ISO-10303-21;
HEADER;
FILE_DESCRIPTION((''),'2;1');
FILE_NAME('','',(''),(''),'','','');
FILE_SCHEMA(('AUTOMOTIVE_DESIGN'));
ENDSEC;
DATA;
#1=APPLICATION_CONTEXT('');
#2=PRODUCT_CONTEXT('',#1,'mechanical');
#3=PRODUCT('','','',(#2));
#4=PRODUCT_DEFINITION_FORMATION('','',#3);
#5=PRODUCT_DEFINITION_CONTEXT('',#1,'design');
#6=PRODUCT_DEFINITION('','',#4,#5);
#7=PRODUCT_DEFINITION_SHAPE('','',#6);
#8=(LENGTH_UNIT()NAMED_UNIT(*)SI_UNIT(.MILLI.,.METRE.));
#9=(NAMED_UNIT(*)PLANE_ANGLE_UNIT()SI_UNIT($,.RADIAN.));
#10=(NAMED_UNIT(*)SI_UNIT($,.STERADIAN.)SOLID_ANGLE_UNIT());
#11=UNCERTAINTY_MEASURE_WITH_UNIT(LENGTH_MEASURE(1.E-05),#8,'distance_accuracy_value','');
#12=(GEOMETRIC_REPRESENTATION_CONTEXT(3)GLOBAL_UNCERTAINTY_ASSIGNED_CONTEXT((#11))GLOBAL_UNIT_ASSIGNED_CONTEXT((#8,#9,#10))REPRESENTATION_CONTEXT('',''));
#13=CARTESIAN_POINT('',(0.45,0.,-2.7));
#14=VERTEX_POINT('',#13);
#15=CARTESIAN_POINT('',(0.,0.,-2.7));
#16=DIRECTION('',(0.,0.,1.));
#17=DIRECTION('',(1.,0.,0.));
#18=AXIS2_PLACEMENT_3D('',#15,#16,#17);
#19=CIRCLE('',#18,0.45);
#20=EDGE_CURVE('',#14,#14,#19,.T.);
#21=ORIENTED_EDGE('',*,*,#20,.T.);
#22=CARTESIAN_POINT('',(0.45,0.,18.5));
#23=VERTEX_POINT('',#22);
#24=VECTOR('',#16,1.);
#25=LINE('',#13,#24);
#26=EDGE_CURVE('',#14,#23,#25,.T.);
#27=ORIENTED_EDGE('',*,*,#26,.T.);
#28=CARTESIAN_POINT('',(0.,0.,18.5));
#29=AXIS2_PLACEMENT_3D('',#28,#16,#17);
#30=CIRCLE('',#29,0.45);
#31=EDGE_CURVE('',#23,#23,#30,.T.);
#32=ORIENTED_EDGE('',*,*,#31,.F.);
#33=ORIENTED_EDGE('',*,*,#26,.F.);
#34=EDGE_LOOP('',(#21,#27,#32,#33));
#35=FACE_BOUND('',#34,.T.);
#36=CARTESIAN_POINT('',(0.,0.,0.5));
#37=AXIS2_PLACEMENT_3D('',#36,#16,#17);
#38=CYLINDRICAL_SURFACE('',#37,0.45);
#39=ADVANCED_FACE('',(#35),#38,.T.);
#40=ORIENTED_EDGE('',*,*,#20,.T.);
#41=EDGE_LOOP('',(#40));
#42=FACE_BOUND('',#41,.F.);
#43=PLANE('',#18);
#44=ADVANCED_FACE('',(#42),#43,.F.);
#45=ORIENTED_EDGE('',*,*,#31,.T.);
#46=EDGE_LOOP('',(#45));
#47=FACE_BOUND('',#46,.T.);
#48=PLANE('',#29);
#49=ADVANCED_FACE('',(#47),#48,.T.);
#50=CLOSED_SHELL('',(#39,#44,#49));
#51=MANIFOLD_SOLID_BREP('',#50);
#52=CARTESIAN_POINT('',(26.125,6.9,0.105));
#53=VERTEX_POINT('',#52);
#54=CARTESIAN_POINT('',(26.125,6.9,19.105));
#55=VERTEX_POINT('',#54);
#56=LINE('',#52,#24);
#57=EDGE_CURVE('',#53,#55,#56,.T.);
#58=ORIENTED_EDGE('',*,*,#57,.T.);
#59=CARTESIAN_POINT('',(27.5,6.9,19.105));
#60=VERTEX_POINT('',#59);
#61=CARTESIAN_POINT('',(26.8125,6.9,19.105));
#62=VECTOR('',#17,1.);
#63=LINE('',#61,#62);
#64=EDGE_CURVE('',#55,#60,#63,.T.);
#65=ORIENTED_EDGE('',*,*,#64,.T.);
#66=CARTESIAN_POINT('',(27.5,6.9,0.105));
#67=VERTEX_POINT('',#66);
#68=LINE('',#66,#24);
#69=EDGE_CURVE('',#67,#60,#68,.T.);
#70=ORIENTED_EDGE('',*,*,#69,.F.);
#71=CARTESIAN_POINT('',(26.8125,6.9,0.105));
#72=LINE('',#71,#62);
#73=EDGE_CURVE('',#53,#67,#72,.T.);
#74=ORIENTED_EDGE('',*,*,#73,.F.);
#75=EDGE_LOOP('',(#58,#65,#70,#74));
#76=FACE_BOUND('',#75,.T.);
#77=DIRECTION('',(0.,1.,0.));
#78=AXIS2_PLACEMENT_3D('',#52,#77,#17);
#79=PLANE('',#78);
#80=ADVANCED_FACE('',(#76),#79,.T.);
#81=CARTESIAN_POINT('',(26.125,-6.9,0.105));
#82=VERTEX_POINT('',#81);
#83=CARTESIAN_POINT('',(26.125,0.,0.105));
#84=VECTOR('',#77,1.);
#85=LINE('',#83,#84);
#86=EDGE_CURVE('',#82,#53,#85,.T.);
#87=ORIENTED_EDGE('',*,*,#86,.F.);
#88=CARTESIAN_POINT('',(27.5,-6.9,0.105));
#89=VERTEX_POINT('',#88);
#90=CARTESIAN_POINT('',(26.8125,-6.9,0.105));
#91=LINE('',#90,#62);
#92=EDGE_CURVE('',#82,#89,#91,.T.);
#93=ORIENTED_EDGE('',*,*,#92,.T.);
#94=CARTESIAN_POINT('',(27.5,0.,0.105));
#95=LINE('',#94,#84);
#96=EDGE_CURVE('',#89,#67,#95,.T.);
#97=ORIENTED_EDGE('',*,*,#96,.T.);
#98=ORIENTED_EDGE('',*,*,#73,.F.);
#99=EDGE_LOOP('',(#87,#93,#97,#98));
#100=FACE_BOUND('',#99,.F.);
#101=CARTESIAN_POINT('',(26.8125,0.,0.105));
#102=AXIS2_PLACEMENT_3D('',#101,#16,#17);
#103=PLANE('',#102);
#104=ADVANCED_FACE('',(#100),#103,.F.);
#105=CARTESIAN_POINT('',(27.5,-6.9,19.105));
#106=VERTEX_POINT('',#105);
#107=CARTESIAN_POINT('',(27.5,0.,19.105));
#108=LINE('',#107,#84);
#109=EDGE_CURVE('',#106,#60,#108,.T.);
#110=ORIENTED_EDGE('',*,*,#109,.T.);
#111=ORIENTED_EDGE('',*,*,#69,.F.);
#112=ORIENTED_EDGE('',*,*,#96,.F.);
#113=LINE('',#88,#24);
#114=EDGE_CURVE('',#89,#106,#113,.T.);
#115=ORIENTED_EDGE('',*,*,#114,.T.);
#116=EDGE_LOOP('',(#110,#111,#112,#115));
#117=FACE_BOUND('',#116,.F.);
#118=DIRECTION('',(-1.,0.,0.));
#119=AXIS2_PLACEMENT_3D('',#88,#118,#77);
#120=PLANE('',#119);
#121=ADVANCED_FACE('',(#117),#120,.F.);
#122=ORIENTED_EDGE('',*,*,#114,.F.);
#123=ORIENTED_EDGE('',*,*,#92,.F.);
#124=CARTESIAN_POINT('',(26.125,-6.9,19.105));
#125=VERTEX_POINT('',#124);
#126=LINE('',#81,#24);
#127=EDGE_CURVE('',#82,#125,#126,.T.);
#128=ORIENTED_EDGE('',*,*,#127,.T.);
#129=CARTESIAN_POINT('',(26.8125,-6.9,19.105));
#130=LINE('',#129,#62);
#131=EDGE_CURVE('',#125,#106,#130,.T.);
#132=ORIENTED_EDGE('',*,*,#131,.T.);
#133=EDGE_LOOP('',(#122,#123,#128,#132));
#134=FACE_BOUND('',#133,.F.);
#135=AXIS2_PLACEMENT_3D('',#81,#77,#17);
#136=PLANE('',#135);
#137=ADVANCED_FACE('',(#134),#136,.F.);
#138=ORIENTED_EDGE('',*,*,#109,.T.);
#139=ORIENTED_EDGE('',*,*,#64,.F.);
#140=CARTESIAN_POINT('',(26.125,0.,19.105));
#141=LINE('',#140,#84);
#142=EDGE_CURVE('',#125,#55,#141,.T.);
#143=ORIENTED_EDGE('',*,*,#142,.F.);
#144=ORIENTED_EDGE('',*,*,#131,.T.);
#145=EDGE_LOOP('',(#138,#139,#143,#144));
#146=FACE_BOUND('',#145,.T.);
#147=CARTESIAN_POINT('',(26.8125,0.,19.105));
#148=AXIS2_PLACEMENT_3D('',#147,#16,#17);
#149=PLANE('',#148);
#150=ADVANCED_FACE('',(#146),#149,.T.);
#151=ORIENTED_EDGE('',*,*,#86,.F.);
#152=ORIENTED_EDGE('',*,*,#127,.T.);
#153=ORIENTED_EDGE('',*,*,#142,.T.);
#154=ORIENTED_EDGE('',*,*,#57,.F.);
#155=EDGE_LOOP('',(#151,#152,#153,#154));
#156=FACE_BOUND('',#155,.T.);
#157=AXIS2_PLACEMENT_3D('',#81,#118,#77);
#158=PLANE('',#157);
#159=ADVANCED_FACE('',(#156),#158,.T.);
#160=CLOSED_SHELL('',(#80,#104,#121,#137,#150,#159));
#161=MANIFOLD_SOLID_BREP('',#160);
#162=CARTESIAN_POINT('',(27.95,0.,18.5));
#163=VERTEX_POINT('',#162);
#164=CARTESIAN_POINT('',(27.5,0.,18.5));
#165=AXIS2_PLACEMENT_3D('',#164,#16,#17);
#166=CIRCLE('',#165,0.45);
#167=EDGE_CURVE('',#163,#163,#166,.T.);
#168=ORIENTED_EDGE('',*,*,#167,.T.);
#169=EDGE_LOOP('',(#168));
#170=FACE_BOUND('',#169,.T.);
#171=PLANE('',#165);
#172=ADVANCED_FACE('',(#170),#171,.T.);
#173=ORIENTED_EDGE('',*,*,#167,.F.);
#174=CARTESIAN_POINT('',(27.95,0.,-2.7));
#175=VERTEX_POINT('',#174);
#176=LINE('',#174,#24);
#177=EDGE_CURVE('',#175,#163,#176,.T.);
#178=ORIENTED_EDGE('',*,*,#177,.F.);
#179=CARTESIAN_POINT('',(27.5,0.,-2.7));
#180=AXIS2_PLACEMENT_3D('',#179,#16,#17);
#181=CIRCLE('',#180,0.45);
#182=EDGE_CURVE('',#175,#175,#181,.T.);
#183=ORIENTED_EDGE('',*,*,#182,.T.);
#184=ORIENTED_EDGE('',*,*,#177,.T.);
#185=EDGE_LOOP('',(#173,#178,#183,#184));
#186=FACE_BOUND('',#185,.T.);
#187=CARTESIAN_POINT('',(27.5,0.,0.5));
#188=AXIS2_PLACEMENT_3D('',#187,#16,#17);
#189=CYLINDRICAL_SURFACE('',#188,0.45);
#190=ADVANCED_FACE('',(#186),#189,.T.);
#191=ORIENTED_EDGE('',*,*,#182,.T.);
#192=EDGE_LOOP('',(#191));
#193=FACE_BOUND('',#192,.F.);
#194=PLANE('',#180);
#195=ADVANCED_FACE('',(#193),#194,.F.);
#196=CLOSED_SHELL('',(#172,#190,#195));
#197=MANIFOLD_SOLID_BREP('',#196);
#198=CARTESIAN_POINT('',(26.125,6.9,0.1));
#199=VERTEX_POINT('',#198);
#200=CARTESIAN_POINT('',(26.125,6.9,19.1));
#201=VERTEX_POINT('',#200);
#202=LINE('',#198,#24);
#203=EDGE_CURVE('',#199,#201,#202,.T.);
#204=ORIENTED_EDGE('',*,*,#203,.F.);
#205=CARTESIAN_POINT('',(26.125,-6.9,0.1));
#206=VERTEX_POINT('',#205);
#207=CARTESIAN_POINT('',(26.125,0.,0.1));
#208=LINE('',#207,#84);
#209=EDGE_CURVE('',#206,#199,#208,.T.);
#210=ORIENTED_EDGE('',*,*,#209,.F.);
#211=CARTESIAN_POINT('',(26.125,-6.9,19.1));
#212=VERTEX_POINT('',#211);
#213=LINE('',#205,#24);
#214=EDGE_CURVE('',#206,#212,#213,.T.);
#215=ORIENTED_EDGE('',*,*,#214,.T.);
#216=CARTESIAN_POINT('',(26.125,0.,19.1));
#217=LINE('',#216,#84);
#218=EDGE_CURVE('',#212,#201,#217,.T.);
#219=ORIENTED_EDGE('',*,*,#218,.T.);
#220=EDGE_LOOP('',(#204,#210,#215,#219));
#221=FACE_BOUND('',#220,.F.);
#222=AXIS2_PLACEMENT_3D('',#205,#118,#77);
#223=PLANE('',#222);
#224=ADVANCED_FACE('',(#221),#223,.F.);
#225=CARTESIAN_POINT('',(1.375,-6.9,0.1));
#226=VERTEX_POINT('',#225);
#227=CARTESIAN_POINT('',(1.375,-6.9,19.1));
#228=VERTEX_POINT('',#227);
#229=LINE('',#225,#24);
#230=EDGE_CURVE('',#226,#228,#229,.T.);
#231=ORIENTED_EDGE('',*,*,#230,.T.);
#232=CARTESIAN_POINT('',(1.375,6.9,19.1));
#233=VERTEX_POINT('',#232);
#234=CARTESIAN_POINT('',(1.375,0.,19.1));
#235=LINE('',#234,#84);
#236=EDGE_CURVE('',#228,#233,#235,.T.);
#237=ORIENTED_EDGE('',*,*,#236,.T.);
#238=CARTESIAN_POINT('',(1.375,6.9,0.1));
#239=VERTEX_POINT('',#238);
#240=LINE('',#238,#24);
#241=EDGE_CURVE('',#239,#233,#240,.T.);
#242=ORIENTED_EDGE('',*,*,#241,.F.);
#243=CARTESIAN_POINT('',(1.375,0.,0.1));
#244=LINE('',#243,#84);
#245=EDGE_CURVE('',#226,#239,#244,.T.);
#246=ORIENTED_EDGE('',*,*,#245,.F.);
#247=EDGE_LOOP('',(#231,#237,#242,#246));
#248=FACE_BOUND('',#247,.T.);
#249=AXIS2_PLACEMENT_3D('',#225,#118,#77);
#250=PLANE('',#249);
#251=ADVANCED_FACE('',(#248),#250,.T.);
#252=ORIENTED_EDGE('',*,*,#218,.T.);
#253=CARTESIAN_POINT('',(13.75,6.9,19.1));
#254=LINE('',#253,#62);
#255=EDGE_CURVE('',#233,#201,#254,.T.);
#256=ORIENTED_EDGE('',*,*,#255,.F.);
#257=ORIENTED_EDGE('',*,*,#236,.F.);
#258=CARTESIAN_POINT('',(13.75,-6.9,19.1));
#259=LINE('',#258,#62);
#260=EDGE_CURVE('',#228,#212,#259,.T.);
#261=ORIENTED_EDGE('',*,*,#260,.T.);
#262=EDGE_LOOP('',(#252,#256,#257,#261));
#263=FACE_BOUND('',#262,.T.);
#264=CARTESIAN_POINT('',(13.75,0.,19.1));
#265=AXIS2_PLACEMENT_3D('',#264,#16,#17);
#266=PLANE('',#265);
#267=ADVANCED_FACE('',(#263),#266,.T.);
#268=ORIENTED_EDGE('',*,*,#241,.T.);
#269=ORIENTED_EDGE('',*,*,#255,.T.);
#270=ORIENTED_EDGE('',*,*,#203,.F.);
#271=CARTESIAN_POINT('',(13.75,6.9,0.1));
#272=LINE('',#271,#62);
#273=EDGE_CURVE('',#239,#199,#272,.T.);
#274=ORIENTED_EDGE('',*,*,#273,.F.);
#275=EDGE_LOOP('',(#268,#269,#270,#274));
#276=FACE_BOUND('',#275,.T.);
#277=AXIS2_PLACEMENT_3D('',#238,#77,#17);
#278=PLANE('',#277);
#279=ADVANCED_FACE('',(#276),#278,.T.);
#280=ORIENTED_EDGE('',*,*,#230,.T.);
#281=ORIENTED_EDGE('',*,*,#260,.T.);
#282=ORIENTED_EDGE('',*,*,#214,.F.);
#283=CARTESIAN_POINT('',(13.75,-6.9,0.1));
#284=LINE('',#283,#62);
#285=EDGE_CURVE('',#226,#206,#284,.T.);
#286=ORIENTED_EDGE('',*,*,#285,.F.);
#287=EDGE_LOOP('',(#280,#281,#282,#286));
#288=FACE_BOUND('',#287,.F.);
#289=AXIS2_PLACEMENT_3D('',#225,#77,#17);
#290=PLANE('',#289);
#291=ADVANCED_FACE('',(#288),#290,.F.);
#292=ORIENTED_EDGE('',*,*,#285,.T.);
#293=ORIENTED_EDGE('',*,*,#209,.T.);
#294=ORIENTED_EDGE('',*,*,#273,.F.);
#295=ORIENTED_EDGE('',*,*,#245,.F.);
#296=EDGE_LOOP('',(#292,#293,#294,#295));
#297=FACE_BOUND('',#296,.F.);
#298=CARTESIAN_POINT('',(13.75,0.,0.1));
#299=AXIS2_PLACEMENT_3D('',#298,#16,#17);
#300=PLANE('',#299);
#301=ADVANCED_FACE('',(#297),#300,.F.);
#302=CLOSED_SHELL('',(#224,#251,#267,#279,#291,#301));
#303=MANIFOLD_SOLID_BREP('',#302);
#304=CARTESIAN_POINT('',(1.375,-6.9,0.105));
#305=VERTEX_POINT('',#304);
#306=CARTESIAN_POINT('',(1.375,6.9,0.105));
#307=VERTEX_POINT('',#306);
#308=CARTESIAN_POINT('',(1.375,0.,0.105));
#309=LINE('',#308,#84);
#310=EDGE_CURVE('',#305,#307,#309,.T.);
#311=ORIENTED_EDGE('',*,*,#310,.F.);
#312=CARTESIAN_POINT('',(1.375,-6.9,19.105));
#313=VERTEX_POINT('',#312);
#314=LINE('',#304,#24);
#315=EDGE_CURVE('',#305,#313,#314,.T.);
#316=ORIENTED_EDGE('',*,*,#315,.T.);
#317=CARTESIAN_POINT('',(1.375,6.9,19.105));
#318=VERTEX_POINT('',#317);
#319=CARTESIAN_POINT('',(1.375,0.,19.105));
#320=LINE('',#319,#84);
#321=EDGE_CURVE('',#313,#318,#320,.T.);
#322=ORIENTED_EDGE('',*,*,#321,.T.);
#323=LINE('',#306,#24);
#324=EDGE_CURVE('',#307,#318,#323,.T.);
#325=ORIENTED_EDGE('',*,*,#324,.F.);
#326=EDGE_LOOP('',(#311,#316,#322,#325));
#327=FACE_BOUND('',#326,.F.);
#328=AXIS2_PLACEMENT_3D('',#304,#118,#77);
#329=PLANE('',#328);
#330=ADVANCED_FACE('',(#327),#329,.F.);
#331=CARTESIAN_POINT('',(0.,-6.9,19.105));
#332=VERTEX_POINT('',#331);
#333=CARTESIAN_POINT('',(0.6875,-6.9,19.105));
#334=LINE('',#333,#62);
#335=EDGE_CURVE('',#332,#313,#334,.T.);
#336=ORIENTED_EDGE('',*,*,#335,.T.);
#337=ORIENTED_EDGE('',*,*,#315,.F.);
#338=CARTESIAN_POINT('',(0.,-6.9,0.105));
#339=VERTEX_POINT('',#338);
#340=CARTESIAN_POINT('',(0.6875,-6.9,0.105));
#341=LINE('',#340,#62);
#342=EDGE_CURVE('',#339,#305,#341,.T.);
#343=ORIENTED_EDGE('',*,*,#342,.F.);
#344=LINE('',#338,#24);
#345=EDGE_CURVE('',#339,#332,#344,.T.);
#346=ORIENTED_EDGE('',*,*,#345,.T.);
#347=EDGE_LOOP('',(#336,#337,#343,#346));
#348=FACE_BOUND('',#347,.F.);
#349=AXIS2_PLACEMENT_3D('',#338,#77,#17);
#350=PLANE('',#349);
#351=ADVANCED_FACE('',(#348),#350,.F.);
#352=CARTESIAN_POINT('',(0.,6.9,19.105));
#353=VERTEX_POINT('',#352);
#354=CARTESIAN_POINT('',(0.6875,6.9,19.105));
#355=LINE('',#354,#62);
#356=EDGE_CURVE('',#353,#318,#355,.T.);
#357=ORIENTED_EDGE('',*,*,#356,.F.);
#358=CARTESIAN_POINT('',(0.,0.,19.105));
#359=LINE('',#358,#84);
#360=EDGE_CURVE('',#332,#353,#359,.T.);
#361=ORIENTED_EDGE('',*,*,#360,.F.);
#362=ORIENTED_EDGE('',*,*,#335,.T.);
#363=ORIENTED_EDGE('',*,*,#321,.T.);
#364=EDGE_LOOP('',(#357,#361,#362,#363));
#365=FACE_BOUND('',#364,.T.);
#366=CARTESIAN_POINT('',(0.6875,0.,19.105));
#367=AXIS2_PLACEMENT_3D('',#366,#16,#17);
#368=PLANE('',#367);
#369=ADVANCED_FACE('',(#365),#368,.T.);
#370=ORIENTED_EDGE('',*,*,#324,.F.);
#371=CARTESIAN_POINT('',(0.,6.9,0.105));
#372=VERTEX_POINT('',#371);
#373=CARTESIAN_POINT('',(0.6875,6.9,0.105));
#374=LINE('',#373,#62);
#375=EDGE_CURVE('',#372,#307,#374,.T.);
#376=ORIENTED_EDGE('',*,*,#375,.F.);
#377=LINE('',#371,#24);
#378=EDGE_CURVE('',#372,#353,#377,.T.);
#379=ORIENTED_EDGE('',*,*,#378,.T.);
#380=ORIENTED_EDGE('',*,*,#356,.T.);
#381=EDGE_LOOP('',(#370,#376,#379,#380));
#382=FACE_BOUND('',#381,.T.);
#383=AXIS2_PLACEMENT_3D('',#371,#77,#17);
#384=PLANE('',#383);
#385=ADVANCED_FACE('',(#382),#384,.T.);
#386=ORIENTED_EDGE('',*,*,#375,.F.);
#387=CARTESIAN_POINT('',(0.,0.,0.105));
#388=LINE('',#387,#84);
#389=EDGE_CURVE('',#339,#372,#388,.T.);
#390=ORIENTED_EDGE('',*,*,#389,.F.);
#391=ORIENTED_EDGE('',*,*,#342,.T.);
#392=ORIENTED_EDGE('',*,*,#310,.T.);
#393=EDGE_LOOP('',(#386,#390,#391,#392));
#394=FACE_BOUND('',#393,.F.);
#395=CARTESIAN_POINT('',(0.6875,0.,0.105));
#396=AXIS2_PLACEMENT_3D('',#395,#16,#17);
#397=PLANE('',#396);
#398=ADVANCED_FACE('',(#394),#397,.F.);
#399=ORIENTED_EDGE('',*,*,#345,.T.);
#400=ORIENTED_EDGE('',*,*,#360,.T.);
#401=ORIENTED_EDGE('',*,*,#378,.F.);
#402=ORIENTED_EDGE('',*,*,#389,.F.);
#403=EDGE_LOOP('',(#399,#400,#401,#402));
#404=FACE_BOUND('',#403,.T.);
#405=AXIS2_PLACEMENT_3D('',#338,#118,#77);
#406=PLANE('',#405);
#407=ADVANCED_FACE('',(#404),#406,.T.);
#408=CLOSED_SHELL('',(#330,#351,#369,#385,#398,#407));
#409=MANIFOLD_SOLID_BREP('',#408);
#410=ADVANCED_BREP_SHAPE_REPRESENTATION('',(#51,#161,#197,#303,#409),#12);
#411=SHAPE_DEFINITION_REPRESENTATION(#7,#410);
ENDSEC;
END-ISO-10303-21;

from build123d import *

# Parameters (mm, degrees)
SKETCH_W          = 24.75
SKETCH_H          = 13.8
PAD_DEPTH         = 19
SKETCH001_R       = 0.45
PAD001_DEPTH      = 18
PAD001_DEPTH_BACK = 3.2
SKETCH002_W       = 1.375
SKETCH002_H       = 13.8
PAD002_DEPTH      = 19


with BuildPart() as pad:
    # Sketch → Pad (new body)
    with BuildSketch(Plane.XY.offset(0.1)):
        with Locations((13.75, 0)):
            Rectangle(SKETCH_W, SKETCH_H)
    extrude(amount=PAD_DEPTH)


with BuildPart() as pad001:
    # Sketch001 → Pad001 (new body, two sides)
    with BuildSketch(Plane.XY.offset(0.5)) as pad001_sk:
        Circle(SKETCH001_R)
        with Locations((27.5, 0)):
            Circle(SKETCH001_R)
    extrude(amount=PAD001_DEPTH)
    extrude(pad001_sk.sketch, amount=-PAD001_DEPTH_BACK)


with BuildPart() as pad002:
    # Sketch002 → Pad002 (new body)
    with BuildSketch(Plane.XY.offset(0.105)):
        with Locations((0.6875, 0)):
            Rectangle(SKETCH002_W, SKETCH002_H)
        with Locations((26.8125, 0)):
            Rectangle(SKETCH002_W, SKETCH002_H)
    extrude(amount=PAD002_DEPTH)


solid = Compound([pad.part, pad001.part, pad002.part])
